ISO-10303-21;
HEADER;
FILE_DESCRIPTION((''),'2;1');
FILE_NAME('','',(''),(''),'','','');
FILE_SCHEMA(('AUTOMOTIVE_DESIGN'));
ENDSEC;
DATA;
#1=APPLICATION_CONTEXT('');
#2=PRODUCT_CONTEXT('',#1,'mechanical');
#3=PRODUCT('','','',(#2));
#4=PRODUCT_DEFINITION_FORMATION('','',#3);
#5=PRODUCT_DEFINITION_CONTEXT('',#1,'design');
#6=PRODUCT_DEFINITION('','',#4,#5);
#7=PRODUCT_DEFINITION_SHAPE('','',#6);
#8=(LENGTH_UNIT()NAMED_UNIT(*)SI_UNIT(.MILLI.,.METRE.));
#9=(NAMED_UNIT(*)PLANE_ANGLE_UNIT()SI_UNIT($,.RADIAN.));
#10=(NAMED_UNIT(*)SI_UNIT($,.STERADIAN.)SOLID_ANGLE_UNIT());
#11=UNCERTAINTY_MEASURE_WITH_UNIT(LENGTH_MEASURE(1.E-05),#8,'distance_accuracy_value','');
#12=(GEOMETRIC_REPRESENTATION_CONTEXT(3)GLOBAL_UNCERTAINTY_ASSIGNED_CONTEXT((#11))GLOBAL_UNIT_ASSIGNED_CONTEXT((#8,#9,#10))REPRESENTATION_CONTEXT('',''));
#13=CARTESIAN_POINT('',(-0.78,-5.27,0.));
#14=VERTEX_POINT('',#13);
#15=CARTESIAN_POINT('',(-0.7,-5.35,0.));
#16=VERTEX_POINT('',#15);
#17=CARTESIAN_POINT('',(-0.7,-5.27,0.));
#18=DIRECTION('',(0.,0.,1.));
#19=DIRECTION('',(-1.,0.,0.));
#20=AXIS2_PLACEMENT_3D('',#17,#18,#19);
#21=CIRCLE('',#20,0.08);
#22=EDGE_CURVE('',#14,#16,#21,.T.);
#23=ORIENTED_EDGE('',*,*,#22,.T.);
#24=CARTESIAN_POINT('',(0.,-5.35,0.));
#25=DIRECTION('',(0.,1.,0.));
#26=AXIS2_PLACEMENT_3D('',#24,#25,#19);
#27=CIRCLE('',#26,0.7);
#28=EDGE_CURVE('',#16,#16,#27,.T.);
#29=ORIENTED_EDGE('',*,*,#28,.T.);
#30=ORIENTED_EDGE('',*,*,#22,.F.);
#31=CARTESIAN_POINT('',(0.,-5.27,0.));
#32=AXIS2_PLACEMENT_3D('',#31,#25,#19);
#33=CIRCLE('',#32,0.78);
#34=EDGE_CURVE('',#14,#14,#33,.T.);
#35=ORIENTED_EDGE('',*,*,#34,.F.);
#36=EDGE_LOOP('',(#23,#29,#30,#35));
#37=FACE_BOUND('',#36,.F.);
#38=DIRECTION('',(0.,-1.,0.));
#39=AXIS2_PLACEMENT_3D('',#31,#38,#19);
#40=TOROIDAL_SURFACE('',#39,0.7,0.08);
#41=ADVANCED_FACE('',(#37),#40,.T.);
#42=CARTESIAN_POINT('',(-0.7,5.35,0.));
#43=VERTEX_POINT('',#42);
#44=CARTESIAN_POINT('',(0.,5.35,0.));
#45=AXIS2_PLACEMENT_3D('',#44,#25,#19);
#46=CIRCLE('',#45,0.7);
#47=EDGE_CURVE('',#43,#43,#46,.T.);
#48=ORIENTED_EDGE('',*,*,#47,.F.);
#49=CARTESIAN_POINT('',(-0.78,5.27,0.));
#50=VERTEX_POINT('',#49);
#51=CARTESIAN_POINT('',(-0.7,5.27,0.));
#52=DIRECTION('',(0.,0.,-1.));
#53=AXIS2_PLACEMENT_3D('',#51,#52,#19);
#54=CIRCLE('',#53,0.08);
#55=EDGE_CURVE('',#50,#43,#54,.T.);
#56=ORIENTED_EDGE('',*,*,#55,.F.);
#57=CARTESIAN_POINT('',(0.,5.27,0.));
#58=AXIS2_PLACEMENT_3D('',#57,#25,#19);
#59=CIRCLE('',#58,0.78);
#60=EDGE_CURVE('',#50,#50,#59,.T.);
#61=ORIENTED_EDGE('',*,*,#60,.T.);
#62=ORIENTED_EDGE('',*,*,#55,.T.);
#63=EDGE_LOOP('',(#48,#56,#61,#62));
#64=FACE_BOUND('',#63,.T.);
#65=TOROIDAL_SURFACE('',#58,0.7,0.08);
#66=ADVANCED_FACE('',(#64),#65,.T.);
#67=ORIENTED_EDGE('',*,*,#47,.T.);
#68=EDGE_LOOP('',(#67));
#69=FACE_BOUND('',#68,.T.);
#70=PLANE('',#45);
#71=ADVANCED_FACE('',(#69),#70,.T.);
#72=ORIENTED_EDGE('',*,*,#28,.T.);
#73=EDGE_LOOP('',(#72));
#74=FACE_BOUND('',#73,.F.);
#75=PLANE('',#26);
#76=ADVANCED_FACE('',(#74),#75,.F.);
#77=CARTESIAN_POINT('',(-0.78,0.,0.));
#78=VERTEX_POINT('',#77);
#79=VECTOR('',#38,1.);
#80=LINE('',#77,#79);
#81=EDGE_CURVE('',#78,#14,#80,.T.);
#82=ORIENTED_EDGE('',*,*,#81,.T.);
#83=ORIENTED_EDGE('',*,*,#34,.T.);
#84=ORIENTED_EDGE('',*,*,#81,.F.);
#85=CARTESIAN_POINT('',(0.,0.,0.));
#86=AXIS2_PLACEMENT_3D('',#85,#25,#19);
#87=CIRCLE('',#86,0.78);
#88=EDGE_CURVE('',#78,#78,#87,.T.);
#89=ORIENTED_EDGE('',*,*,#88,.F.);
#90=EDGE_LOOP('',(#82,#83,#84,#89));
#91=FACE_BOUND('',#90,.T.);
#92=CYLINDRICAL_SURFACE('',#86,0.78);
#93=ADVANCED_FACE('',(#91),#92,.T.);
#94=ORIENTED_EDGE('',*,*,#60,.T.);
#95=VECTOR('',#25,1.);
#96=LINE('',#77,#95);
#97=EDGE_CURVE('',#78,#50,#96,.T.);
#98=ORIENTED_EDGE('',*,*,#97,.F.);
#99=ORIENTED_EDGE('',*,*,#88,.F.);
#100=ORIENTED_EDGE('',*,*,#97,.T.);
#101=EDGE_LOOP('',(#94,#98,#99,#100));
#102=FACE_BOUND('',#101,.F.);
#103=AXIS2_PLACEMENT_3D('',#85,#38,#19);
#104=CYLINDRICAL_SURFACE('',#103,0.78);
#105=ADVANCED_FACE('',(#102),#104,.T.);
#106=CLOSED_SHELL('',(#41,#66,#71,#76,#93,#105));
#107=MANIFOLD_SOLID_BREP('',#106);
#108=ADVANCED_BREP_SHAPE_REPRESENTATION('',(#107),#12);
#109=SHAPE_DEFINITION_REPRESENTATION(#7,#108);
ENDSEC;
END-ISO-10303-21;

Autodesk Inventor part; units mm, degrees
ref_plane "YZ Plane" through (0, 0, 0) normal (1, 0, 0) x (0, 1, 0)
ref_plane "XZ Plane" through (0, 0, 0) normal (0, 1, 0) x (-1, 0, 0)
ref_plane "XY Plane" through (0, 0, 0) normal (0, 0, 1) x (1, 0, 0)
sketch "Sketch1" plane through (0, 0, 0) normal (0, 1, 0) x (-1, 0, 0)
  circle A0 centre (0, 0) radius 0.78
  dimension "d0" = 1.56
extrude "Extrusion1" add sketch "Sketch1" along normal mid plane 10.7
fillet "Fillet1" radius 0.08 2 edges at (0.78, -5.35, 0) (0.78, 5.35, 0)
properties part number "empty"
